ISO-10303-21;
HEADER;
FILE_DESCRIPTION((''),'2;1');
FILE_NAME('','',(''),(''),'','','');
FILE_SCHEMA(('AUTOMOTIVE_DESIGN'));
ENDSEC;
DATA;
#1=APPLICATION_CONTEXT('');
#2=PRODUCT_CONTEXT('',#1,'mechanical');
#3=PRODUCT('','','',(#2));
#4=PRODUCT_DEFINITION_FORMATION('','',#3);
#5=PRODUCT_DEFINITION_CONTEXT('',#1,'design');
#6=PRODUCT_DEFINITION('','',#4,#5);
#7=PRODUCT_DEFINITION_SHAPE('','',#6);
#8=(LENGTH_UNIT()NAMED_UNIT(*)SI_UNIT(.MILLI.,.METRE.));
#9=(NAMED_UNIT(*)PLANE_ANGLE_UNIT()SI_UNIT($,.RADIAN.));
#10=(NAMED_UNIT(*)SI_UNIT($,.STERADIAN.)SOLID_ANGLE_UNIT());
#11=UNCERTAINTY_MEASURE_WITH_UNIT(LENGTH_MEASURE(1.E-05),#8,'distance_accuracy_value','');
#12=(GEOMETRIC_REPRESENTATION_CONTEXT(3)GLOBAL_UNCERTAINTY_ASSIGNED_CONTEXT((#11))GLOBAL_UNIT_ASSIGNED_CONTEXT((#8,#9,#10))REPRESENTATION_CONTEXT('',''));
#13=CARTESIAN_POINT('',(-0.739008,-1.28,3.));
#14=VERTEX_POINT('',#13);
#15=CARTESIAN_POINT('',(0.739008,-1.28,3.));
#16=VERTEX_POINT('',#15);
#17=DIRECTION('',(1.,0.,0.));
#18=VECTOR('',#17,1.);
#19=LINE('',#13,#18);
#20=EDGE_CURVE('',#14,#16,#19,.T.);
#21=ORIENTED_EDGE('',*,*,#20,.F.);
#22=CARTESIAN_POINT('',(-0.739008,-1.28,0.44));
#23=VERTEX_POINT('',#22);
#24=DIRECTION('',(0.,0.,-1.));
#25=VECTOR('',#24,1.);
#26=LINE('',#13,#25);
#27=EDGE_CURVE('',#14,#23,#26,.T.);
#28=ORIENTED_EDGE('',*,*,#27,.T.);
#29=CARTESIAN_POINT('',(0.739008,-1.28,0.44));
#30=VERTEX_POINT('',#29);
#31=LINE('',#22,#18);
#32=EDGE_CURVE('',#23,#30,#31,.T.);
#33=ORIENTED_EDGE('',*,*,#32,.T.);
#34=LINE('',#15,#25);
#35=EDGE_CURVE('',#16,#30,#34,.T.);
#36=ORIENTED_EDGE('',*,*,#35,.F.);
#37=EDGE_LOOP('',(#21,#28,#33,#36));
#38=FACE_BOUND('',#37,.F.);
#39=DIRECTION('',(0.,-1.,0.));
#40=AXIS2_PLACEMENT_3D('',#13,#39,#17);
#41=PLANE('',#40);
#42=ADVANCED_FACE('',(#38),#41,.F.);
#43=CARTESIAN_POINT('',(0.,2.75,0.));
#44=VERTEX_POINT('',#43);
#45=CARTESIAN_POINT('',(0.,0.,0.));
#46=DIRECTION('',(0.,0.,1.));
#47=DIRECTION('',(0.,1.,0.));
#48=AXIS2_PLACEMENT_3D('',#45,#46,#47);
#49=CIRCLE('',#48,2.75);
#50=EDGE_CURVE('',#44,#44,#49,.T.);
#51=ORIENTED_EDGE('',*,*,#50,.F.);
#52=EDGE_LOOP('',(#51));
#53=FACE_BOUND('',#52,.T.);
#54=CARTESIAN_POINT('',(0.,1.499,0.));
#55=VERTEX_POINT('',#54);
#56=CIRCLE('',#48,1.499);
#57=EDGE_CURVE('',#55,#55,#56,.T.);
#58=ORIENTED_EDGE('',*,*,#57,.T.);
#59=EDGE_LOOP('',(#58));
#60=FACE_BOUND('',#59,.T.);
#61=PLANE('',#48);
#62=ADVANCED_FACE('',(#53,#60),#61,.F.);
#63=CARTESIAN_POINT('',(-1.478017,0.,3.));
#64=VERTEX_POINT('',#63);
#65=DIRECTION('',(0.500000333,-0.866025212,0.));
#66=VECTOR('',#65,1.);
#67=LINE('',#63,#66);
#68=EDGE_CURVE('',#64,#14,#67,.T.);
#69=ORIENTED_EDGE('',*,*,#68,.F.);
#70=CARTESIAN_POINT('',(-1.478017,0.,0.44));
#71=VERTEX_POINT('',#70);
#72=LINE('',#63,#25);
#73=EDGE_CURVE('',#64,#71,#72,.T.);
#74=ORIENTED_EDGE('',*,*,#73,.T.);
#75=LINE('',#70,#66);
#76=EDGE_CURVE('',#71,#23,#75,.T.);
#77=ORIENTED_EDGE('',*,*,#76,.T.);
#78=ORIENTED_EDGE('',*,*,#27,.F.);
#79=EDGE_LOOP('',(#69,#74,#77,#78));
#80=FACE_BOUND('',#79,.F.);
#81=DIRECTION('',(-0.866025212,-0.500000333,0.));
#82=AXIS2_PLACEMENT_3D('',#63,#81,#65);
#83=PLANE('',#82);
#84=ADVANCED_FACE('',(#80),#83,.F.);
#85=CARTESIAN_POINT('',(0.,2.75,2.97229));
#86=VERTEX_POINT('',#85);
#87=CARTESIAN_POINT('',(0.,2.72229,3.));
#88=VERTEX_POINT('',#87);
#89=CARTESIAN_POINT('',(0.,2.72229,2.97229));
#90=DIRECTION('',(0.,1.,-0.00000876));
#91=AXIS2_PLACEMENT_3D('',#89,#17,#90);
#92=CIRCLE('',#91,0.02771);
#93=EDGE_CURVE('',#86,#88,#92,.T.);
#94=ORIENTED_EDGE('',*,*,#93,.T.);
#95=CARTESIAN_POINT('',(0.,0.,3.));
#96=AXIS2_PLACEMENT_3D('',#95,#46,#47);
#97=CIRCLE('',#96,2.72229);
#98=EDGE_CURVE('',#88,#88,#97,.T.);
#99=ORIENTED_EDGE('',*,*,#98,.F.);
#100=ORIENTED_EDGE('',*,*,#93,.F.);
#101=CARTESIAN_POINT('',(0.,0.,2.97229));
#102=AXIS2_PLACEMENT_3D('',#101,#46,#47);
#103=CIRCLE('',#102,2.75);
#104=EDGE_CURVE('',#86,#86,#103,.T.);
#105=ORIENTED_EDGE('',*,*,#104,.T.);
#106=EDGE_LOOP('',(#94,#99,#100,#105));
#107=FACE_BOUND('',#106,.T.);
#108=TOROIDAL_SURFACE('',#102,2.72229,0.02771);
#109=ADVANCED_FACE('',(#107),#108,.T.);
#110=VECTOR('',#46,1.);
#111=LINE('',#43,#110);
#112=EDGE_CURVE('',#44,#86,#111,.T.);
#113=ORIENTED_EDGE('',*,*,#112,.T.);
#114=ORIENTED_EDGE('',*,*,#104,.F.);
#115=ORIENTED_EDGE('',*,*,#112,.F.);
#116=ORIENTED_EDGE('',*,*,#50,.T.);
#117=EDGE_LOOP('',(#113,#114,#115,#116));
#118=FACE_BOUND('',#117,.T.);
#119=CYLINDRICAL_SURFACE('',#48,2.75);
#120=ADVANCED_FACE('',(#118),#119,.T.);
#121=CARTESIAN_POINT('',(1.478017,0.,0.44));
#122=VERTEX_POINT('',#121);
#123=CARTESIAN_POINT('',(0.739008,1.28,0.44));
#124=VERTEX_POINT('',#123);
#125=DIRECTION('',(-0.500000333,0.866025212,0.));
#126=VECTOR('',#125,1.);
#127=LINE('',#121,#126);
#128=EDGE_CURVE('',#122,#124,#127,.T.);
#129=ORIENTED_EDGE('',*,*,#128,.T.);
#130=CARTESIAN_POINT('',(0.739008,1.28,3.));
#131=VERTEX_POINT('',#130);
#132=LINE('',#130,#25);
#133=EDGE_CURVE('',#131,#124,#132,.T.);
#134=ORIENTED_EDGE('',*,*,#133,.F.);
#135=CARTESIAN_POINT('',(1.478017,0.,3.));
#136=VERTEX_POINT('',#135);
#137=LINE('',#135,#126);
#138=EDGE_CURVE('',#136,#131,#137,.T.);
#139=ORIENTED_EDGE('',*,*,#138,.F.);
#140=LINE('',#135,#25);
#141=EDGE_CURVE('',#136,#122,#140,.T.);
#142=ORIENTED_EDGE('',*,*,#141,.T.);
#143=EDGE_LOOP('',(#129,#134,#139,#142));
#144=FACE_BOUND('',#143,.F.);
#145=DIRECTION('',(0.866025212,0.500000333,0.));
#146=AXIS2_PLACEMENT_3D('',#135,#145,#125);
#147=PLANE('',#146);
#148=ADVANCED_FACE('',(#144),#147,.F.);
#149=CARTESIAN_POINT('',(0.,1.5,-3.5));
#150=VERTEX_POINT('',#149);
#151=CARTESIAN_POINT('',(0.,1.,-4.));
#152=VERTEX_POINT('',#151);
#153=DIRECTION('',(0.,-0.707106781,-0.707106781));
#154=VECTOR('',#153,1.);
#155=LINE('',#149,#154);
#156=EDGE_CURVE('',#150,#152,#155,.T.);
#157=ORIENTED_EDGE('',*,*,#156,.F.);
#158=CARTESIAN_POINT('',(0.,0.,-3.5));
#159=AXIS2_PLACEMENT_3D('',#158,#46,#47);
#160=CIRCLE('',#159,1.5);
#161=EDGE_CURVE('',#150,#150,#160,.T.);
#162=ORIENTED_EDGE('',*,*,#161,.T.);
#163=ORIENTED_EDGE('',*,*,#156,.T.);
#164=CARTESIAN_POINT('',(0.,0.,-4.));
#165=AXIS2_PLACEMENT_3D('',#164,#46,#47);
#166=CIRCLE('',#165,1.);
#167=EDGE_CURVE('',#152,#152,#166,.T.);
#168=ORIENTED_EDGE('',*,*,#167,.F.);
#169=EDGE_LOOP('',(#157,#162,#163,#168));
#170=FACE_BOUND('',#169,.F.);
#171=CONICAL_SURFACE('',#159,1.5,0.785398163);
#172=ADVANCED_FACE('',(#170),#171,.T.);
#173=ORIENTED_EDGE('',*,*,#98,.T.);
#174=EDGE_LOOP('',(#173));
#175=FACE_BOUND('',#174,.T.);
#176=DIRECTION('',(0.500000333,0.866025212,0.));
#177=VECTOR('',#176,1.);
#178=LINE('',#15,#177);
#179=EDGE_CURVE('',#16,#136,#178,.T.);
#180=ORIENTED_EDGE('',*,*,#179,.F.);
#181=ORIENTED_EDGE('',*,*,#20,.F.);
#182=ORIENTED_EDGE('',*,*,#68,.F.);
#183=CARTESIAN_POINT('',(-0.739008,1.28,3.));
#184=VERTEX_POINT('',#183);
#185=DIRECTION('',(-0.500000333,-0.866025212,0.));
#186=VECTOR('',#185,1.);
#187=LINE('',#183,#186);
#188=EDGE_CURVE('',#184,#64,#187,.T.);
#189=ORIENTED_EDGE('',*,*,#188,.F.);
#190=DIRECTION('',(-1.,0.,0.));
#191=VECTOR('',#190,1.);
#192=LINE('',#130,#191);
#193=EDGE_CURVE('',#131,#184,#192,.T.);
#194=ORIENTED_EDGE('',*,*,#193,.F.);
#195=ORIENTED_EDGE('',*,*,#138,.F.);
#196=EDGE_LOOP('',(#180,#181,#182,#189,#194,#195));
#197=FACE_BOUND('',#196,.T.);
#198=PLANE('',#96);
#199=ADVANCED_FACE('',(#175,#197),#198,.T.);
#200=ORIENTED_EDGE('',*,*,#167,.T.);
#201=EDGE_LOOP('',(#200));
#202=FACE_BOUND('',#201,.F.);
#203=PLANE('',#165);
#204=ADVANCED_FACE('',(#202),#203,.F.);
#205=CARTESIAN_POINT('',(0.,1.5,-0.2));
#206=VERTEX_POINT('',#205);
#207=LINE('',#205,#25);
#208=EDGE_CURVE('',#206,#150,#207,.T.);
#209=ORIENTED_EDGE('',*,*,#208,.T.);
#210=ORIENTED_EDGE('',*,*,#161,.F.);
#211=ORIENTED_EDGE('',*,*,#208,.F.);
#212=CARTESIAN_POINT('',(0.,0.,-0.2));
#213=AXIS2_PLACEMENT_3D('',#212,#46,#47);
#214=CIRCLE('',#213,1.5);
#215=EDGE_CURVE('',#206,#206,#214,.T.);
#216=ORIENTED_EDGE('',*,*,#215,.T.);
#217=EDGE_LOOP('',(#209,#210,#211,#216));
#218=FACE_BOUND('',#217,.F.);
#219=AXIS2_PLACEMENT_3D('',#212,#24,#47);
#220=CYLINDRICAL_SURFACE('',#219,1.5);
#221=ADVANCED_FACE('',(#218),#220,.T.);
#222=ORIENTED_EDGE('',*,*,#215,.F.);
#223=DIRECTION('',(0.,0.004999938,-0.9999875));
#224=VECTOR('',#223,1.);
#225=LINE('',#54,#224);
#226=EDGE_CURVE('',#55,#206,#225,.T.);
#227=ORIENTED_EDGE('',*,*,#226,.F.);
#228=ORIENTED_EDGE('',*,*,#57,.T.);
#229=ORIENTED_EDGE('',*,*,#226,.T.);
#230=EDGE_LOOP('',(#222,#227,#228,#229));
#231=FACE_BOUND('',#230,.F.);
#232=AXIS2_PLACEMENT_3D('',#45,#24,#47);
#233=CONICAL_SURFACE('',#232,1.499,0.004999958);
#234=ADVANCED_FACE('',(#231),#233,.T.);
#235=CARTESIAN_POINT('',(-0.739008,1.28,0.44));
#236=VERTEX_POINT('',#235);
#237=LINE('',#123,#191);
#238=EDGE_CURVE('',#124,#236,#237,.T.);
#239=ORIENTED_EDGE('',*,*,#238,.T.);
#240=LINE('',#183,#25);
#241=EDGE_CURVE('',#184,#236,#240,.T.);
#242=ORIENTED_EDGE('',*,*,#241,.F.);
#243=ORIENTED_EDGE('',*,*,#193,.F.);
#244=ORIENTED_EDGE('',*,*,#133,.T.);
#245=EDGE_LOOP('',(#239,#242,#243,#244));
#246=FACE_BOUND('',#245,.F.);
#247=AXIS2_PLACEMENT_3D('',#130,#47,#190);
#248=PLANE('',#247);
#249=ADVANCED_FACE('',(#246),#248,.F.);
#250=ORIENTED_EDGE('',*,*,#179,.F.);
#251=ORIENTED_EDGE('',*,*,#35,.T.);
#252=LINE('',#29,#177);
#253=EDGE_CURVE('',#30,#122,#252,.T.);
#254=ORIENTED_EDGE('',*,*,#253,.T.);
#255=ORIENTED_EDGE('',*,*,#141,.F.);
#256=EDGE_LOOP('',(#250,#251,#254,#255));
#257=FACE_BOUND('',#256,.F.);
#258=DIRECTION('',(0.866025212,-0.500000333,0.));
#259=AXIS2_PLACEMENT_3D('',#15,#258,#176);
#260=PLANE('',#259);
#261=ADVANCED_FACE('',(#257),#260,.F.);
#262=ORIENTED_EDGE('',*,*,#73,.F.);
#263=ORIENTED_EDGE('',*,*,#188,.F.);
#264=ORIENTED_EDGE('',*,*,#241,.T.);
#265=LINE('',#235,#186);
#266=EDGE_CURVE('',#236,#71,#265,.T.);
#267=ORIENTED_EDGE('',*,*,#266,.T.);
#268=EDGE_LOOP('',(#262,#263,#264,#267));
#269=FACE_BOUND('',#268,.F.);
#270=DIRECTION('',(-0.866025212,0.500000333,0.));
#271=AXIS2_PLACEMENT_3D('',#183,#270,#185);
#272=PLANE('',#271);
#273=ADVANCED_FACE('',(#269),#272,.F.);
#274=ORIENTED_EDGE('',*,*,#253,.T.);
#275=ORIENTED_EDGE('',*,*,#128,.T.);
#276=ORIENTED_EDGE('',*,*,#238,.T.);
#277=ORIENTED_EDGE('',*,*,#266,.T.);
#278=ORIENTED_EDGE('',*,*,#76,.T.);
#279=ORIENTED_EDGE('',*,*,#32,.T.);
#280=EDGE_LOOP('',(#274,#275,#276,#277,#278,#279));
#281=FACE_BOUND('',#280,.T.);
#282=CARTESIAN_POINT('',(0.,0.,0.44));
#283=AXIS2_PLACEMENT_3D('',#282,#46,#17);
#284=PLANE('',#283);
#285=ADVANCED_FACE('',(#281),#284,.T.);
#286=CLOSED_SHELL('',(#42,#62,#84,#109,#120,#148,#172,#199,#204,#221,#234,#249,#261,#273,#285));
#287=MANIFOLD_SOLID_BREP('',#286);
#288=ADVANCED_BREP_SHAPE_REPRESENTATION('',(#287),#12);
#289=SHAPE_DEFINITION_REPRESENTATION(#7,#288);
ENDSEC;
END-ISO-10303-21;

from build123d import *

# Parameters (mm, degrees)
POCKET_DEPTH = 2.56


with BuildPart() as part:
    # Sketch → Revolve (revolve)
    with BuildSketch(Plane.YZ):
        with BuildLine():
            Line((1.499, 0), (2.75, 0))
            Line((2.75, 0), (2.75, 2.97229))
            ThreePointArc((2.75, 2.97229), (2.741884, 2.991884), (2.72229, 3))
            Line((2.72229, 3), (0, 3))
            Line((0, -4), (0, 3))
            Line((1, -4), (0, -4))
            Line((1.5, -3.5), (1, -4))
            Line((1.5, -0.2), (1.5, -3.5))
            Line((1.499, 0), (1.5, -0.2))
        make_face()
    revolve(axis=Axis((0, 0, 0), (0, 0, 1)))

    # Sketch001 → Pocket (cut)
    with BuildSketch(Plane.XY.offset(3)):
        Polygon((1.478017, 0), (0.739008, 1.28), (-0.739008, 1.28), (-1.478017, 0), (-0.739008, -1.28), (0.739008, -1.28), align=None)
    extrude(amount=-POCKET_DEPTH, mode=Mode.SUBTRACT)


solid = part.part
